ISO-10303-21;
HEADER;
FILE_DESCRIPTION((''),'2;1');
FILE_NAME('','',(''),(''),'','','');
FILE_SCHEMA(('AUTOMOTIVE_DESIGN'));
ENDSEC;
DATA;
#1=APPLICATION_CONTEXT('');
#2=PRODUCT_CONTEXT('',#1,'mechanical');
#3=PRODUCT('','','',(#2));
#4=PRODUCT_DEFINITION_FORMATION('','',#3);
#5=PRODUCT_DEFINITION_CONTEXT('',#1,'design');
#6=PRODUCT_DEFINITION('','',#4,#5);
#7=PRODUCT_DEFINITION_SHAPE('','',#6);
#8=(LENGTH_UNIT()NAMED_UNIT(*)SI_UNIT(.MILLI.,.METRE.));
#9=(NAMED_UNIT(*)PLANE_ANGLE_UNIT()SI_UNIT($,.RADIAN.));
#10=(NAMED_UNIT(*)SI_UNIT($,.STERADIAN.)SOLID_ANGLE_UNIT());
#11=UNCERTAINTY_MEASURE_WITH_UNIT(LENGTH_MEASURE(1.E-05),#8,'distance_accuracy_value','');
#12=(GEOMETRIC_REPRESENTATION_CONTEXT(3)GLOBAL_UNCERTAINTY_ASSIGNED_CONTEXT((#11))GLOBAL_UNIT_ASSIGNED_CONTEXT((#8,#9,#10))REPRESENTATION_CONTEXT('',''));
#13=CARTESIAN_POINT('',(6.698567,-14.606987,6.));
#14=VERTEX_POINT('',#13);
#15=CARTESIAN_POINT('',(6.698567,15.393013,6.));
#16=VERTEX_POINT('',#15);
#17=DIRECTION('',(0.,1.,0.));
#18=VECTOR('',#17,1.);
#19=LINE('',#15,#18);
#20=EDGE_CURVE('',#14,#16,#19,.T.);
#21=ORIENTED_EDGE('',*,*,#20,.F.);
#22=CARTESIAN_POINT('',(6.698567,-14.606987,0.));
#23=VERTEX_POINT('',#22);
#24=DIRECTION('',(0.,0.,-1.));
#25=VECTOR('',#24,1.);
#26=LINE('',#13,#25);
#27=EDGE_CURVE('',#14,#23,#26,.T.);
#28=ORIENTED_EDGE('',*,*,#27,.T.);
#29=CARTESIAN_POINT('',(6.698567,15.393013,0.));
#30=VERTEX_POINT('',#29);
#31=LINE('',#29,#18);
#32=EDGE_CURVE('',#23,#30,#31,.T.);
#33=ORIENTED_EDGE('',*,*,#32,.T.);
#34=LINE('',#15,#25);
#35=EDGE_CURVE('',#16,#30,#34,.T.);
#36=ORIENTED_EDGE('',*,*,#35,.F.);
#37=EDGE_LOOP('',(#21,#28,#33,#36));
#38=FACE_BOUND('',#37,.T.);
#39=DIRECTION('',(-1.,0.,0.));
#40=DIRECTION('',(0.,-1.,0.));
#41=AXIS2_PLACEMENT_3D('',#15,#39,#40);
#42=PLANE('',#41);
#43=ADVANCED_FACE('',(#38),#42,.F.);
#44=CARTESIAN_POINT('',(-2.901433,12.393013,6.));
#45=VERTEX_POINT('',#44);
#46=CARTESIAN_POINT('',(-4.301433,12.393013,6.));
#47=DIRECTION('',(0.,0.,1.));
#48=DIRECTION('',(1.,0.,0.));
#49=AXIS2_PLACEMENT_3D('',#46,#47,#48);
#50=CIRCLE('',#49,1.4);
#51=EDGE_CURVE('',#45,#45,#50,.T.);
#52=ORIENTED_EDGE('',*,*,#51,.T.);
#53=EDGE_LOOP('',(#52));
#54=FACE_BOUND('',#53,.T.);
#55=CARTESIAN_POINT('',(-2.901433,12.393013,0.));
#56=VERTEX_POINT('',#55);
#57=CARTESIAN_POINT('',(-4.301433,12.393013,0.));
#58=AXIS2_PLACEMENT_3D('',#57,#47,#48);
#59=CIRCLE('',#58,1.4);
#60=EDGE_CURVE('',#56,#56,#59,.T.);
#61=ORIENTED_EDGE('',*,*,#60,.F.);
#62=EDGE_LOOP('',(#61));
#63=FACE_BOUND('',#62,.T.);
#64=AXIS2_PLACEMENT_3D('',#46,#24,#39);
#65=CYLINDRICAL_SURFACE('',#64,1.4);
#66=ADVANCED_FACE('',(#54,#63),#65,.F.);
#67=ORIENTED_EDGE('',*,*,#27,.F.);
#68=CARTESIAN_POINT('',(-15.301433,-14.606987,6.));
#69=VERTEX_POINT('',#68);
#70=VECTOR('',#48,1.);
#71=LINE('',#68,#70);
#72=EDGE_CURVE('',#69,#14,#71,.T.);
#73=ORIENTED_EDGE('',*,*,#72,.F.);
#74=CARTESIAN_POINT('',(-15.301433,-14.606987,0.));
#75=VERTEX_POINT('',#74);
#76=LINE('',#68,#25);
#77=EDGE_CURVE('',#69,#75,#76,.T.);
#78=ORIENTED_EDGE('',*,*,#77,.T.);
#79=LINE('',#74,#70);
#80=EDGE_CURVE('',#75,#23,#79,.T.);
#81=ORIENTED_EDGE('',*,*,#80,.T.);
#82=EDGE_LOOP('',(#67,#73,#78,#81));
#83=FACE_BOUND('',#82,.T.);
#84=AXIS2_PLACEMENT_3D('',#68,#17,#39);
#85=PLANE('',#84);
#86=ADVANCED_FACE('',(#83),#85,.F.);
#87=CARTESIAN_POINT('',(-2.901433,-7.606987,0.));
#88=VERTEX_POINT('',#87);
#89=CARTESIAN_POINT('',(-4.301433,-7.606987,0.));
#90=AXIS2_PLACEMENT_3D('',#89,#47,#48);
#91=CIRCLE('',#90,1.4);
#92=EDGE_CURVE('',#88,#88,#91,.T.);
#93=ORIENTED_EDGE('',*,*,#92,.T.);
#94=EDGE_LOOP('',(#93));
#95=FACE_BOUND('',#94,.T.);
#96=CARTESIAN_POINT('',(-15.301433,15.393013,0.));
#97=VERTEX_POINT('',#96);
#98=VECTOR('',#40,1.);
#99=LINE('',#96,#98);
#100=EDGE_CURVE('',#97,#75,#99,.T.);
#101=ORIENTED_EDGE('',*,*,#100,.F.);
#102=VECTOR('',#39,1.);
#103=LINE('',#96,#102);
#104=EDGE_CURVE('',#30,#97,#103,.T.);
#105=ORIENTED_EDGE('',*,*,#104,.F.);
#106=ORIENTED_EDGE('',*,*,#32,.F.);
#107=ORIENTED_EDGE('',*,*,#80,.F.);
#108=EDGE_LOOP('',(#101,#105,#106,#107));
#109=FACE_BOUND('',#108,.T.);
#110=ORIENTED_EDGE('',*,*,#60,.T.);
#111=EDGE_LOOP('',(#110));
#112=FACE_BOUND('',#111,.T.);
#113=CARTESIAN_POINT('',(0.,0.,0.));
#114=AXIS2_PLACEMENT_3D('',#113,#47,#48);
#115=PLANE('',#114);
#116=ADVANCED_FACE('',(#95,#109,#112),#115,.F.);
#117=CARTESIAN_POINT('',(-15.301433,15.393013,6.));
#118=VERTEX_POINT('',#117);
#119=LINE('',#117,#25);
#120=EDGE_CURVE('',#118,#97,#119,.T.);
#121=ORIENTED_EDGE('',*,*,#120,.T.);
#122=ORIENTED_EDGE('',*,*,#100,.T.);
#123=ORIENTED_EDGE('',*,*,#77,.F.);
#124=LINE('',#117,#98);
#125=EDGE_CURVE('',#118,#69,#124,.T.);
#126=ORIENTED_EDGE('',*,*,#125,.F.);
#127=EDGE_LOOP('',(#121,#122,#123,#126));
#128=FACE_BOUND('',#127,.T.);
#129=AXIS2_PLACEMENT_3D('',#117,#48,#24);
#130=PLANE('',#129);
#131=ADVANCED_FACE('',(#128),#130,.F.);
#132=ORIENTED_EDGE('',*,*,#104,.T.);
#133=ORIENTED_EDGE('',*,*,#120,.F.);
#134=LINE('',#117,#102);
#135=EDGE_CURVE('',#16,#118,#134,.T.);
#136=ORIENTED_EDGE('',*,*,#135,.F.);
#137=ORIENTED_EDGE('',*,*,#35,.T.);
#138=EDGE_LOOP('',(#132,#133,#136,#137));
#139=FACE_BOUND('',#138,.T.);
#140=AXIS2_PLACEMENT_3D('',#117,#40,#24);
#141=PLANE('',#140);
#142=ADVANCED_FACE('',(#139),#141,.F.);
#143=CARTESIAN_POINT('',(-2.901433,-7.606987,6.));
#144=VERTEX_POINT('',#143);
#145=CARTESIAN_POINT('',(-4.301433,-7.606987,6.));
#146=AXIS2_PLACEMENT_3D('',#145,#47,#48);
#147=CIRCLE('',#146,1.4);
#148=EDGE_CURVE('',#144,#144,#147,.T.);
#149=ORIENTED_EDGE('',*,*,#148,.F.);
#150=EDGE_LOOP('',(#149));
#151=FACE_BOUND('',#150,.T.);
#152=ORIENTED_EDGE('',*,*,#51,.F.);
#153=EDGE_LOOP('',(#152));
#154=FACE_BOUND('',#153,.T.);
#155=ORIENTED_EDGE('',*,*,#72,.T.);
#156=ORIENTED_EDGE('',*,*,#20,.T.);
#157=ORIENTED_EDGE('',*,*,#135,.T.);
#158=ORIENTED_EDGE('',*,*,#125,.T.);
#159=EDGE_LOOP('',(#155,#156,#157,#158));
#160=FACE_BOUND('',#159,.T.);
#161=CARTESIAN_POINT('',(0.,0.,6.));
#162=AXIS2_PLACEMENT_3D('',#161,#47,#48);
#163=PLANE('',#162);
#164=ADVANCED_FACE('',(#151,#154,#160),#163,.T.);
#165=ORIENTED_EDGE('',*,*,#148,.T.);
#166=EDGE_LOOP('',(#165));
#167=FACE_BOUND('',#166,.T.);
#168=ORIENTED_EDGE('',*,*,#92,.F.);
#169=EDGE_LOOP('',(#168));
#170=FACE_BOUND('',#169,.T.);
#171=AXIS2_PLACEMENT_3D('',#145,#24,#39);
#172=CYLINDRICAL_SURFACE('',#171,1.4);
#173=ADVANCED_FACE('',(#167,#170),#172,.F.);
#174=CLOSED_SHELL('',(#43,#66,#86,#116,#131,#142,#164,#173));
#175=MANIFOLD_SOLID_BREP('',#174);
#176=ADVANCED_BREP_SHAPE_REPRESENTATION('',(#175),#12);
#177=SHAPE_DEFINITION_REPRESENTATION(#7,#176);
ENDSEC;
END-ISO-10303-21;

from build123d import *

# Parameters (mm, degrees)
ESQUISSE1_W        = 22
ESQUISSE1_H        = 30
ESQUISSE1_R        = 1.4
BOSS_EXTRU_1_DEPTH = 6


with BuildPart() as part:
    # Esquisse1 → Boss.-Extru.1 (new body)
    with BuildSketch(Plane.XY):
        with Locations((-4.301432764, 0.3930131)):
            Rectangle(ESQUISSE1_W, ESQUISSE1_H)
        with Locations((-4.301432764, 12.3930131)):
            Circle(ESQUISSE1_R, mode=Mode.SUBTRACT)
        with Locations((-4.301432764, -7.6069869)):
            Circle(ESQUISSE1_R, mode=Mode.SUBTRACT)
    extrude(amount=BOSS_EXTRU_1_DEPTH)


solid = part.part
